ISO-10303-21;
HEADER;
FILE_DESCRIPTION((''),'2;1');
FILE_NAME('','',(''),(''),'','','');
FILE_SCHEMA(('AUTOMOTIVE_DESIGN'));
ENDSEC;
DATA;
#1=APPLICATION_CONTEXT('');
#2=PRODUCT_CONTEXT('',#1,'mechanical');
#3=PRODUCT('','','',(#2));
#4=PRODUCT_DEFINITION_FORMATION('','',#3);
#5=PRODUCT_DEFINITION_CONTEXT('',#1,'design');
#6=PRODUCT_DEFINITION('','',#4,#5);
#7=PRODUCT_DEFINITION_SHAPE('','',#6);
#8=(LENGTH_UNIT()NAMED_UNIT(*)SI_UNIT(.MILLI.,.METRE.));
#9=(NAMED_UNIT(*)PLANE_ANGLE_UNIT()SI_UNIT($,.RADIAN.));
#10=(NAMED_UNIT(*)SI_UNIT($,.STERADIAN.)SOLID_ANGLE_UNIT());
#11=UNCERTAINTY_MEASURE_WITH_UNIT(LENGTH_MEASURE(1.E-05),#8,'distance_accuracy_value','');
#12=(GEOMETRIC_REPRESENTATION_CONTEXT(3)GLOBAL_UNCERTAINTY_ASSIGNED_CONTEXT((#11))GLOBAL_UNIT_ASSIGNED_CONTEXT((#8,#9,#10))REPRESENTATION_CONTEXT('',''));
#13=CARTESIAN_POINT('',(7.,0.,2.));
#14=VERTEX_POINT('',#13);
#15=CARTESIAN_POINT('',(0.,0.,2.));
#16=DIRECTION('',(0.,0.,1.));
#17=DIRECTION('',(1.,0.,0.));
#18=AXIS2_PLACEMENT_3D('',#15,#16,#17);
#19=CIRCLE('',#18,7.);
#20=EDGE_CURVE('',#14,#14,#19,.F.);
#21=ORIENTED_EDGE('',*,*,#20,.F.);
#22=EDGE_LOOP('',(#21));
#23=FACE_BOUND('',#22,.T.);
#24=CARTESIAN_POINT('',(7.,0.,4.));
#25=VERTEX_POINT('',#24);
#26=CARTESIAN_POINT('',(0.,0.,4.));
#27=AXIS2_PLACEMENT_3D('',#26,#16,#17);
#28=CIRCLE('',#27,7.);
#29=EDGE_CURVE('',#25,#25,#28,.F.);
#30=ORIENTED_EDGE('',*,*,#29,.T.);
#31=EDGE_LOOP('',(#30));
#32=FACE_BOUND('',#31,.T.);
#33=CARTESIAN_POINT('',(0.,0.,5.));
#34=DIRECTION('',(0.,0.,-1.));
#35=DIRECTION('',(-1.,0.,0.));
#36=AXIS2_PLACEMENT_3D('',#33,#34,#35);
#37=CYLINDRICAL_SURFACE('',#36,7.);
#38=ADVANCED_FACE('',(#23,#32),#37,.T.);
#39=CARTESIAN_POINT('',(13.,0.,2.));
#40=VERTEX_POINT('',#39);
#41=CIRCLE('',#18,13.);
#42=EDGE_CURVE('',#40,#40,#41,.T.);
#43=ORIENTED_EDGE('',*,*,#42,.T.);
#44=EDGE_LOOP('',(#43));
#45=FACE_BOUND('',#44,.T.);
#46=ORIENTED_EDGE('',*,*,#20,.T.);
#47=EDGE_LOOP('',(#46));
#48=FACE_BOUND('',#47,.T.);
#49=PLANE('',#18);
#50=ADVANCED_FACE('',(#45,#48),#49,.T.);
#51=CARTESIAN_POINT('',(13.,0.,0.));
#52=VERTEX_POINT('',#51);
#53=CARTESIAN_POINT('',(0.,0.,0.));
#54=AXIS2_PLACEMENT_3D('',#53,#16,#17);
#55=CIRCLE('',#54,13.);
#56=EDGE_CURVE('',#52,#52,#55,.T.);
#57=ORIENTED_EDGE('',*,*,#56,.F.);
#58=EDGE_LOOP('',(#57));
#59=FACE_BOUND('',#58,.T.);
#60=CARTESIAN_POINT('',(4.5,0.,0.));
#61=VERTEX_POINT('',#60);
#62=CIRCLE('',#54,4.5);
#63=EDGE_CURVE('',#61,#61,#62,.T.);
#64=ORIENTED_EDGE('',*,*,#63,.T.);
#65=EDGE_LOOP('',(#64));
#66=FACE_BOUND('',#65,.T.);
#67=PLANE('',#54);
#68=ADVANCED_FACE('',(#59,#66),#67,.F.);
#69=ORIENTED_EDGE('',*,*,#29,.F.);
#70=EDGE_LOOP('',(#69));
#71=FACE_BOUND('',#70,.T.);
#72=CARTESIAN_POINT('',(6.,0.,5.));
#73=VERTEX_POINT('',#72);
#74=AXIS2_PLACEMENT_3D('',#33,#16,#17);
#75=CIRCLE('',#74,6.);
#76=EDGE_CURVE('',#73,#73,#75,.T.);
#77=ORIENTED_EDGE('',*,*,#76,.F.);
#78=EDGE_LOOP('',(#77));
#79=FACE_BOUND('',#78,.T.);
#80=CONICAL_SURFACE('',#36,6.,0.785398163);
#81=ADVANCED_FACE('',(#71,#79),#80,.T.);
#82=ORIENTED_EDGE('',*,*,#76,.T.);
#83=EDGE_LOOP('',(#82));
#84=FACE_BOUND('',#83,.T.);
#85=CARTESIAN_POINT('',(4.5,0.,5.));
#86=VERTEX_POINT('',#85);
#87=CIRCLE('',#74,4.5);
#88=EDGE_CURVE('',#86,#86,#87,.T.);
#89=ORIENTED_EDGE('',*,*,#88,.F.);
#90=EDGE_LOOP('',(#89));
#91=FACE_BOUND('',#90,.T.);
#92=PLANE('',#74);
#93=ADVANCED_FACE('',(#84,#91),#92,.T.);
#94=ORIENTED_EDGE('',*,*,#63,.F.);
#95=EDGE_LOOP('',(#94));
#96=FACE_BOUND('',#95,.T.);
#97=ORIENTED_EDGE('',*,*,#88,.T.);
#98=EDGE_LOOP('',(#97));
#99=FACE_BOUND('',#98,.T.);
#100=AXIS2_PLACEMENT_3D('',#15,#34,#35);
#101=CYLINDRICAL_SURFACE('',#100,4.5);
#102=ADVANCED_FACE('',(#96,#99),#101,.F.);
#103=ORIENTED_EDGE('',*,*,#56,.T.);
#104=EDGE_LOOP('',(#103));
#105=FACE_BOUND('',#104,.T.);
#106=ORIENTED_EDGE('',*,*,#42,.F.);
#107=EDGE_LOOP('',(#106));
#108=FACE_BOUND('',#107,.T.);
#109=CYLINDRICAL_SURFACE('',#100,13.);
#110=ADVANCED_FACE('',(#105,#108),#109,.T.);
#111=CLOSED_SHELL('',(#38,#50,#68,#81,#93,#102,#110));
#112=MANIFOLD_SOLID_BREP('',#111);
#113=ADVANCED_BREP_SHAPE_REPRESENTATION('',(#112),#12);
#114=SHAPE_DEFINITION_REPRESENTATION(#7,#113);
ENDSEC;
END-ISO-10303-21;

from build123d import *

# Parameters (mm, degrees)
SKETCH1_R           = 13
SKETCH1_R_2         = 4.5
BOSS_EXTRUDE1_DEPTH = 2
SKETCH1_3_R         = 7
SKETCH1_3_R_2       = 4.5
BOSS_EXTRUDE2_DEPTH = 5
CHAMFER1_SIZE       = 1


with BuildPart() as part:
    # Sketch1 → Boss-Extrude1 (new body)
    with BuildSketch(Plane.XY):
        Circle(SKETCH1_R)
        Circle(SKETCH1_R_2, mode=Mode.SUBTRACT)
    extrude(amount=BOSS_EXTRUDE1_DEPTH)

    # Sketch1<3> → Boss-Extrude2 (add)
    with BuildSketch(Plane.XY):
        Circle(SKETCH1_3_R)
        Circle(SKETCH1_3_R_2, mode=Mode.SUBTRACT)
    extrude(amount=BOSS_EXTRUDE2_DEPTH)

    # Chamfer1
    chamfer1_edges = [part.edges().sort_by_distance(p)[0] for p in [
        (-7, 0, 5),
    ]]
    chamfer(chamfer1_edges, length=CHAMFER1_SIZE)


solid = part.part
